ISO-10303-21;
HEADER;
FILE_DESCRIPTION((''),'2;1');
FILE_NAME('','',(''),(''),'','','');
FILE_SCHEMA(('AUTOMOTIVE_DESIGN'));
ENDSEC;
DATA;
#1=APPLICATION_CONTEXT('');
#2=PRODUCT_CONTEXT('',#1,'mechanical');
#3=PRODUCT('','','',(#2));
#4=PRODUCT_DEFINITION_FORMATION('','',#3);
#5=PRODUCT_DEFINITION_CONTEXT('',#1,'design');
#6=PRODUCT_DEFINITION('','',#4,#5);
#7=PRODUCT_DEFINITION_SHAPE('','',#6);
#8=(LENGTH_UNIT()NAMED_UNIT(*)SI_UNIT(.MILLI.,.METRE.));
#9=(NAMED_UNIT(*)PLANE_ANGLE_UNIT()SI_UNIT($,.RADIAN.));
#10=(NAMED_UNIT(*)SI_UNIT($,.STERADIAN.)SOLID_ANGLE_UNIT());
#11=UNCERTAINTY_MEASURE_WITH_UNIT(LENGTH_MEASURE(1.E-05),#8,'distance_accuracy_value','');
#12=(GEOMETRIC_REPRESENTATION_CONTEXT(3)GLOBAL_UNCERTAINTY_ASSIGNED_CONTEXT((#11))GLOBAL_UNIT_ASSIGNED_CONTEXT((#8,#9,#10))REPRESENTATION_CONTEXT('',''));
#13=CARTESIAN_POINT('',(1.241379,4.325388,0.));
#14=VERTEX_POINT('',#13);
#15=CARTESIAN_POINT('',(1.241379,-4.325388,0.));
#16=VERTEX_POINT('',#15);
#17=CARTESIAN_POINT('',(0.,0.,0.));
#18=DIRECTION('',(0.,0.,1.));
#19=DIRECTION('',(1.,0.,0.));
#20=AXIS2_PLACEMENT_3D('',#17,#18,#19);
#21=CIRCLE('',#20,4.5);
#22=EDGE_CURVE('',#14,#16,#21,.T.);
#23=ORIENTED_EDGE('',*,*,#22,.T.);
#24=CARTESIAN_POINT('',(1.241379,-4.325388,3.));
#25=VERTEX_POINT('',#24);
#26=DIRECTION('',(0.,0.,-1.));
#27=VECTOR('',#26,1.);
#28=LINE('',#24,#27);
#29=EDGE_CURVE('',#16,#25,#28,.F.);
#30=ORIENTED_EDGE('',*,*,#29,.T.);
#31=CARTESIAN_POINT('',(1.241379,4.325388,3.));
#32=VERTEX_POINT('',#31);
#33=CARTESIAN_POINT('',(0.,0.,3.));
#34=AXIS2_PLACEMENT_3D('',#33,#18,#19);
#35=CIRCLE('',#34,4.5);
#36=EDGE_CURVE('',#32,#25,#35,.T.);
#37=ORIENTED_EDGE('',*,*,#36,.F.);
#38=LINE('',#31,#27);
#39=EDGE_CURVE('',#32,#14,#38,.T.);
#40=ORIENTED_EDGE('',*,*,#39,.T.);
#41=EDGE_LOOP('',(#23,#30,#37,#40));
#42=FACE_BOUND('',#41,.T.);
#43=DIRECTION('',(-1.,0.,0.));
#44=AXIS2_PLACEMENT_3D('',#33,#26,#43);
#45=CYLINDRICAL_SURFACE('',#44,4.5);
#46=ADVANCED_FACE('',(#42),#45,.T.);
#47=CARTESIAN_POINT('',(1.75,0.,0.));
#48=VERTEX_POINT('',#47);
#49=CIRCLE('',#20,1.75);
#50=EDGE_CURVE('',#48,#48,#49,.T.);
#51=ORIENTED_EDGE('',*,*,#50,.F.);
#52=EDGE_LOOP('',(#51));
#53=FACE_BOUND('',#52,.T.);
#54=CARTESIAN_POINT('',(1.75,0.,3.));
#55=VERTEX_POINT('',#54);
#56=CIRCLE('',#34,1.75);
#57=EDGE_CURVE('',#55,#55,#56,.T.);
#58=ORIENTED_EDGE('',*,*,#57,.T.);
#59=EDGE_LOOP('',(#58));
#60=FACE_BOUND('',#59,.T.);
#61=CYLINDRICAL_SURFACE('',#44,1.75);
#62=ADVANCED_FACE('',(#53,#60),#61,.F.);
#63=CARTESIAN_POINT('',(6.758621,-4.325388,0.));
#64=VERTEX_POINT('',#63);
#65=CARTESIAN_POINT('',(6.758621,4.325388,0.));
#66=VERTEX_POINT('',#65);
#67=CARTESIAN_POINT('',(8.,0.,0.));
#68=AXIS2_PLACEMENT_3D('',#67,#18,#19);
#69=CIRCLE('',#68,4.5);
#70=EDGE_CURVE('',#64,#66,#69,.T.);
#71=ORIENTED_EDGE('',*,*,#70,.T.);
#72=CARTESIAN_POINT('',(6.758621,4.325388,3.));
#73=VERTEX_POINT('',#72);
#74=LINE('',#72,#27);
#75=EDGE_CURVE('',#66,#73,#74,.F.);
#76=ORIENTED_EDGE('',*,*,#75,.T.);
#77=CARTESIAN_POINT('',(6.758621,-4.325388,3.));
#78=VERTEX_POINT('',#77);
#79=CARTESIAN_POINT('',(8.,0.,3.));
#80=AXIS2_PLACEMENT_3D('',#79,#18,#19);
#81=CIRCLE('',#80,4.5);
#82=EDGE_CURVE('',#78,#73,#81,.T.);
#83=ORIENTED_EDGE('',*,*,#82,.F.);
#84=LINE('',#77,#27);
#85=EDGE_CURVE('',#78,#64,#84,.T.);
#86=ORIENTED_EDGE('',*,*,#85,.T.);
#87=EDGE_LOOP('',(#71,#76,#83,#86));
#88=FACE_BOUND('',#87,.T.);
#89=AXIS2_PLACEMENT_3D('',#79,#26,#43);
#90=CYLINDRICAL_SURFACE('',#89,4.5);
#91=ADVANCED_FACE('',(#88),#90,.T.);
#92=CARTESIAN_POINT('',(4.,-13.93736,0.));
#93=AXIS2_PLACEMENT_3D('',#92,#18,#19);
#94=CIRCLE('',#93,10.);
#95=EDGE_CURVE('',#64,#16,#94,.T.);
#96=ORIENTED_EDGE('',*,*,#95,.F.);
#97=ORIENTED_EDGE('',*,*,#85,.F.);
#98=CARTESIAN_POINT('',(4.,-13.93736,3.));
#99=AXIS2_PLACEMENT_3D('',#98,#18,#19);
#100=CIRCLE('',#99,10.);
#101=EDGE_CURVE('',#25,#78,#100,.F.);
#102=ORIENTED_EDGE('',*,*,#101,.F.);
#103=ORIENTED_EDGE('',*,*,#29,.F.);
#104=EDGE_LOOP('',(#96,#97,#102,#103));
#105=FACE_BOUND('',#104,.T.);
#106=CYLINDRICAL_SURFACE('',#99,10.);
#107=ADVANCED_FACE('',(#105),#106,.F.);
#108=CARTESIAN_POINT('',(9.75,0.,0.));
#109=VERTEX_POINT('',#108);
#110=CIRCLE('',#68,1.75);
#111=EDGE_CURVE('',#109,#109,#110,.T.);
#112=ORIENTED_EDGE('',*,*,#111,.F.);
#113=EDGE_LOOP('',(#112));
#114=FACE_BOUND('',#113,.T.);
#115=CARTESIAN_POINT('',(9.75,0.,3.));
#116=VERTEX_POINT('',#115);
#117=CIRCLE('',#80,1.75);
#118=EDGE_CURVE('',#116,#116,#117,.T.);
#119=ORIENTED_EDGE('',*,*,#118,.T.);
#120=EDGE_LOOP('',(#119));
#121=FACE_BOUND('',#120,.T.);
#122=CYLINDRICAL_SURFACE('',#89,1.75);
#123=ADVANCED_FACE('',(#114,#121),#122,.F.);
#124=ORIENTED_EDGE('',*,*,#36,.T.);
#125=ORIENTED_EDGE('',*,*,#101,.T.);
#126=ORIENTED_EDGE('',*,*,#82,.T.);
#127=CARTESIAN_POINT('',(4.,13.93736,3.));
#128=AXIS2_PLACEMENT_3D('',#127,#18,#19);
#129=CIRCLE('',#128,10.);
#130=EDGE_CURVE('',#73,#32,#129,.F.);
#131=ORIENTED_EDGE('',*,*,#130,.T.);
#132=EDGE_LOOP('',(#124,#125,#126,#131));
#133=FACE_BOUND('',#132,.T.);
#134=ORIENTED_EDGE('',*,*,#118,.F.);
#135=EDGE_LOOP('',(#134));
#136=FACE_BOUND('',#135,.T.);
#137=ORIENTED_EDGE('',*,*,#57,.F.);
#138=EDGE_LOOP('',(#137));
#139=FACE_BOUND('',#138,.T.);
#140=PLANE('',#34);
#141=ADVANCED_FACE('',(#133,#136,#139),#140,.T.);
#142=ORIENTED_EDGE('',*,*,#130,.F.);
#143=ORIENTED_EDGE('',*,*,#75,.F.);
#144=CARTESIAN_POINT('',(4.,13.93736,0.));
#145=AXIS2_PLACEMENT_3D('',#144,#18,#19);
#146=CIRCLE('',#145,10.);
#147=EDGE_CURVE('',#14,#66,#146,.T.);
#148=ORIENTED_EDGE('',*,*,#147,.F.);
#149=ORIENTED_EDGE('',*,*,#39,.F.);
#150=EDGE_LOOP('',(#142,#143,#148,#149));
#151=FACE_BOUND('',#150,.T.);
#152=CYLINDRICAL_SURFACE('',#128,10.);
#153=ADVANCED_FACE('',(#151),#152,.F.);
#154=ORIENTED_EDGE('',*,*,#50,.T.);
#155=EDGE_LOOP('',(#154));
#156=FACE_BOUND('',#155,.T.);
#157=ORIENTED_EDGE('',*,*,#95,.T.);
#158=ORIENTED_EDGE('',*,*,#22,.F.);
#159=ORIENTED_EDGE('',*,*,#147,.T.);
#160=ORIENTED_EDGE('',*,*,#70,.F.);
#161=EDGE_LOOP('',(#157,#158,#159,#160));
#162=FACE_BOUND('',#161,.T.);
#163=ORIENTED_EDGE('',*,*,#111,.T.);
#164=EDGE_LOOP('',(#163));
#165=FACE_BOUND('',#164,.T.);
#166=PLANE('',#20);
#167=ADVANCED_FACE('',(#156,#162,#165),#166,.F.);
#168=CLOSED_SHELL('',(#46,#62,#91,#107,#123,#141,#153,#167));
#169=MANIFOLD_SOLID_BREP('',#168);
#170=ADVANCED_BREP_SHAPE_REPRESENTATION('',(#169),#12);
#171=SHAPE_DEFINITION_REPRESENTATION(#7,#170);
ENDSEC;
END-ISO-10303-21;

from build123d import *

# Parameters (mm, degrees)
SKETCH_1_R      = 4.5
SKETCH_1_R_2    = 1.75
EXTRUDE_1_DEPTH = 3
FILLET_1_R      = 10


with BuildPart() as part:
    # Эскиз1 → Бобышка-Вытянуть1 (new body)
    # profile 1 of 2: a face of its own
    with BuildSketch(Plane.XY):
        Circle(SKETCH_1_R)
        Circle(SKETCH_1_R_2, mode=Mode.SUBTRACT)
    # profile 2 of 2: a face of its own
    with BuildSketch(Plane.XY):
        with Locations((8, 0)):
            Circle(SKETCH_1_R)
        with Locations((8, 0)):
            Circle(SKETCH_1_R_2, mode=Mode.SUBTRACT)
    extrude(amount=EXTRUDE_1_DEPTH)

    # Скругление1
    fillet_1_edges = [part.edges().sort_by_distance(p)[0] for p in [
        (4, 2.061552813, 1.5),
        (4, -2.061552813, 1.5),
    ]]
    fillet(fillet_1_edges, radius=FILLET_1_R)


solid = part.part
